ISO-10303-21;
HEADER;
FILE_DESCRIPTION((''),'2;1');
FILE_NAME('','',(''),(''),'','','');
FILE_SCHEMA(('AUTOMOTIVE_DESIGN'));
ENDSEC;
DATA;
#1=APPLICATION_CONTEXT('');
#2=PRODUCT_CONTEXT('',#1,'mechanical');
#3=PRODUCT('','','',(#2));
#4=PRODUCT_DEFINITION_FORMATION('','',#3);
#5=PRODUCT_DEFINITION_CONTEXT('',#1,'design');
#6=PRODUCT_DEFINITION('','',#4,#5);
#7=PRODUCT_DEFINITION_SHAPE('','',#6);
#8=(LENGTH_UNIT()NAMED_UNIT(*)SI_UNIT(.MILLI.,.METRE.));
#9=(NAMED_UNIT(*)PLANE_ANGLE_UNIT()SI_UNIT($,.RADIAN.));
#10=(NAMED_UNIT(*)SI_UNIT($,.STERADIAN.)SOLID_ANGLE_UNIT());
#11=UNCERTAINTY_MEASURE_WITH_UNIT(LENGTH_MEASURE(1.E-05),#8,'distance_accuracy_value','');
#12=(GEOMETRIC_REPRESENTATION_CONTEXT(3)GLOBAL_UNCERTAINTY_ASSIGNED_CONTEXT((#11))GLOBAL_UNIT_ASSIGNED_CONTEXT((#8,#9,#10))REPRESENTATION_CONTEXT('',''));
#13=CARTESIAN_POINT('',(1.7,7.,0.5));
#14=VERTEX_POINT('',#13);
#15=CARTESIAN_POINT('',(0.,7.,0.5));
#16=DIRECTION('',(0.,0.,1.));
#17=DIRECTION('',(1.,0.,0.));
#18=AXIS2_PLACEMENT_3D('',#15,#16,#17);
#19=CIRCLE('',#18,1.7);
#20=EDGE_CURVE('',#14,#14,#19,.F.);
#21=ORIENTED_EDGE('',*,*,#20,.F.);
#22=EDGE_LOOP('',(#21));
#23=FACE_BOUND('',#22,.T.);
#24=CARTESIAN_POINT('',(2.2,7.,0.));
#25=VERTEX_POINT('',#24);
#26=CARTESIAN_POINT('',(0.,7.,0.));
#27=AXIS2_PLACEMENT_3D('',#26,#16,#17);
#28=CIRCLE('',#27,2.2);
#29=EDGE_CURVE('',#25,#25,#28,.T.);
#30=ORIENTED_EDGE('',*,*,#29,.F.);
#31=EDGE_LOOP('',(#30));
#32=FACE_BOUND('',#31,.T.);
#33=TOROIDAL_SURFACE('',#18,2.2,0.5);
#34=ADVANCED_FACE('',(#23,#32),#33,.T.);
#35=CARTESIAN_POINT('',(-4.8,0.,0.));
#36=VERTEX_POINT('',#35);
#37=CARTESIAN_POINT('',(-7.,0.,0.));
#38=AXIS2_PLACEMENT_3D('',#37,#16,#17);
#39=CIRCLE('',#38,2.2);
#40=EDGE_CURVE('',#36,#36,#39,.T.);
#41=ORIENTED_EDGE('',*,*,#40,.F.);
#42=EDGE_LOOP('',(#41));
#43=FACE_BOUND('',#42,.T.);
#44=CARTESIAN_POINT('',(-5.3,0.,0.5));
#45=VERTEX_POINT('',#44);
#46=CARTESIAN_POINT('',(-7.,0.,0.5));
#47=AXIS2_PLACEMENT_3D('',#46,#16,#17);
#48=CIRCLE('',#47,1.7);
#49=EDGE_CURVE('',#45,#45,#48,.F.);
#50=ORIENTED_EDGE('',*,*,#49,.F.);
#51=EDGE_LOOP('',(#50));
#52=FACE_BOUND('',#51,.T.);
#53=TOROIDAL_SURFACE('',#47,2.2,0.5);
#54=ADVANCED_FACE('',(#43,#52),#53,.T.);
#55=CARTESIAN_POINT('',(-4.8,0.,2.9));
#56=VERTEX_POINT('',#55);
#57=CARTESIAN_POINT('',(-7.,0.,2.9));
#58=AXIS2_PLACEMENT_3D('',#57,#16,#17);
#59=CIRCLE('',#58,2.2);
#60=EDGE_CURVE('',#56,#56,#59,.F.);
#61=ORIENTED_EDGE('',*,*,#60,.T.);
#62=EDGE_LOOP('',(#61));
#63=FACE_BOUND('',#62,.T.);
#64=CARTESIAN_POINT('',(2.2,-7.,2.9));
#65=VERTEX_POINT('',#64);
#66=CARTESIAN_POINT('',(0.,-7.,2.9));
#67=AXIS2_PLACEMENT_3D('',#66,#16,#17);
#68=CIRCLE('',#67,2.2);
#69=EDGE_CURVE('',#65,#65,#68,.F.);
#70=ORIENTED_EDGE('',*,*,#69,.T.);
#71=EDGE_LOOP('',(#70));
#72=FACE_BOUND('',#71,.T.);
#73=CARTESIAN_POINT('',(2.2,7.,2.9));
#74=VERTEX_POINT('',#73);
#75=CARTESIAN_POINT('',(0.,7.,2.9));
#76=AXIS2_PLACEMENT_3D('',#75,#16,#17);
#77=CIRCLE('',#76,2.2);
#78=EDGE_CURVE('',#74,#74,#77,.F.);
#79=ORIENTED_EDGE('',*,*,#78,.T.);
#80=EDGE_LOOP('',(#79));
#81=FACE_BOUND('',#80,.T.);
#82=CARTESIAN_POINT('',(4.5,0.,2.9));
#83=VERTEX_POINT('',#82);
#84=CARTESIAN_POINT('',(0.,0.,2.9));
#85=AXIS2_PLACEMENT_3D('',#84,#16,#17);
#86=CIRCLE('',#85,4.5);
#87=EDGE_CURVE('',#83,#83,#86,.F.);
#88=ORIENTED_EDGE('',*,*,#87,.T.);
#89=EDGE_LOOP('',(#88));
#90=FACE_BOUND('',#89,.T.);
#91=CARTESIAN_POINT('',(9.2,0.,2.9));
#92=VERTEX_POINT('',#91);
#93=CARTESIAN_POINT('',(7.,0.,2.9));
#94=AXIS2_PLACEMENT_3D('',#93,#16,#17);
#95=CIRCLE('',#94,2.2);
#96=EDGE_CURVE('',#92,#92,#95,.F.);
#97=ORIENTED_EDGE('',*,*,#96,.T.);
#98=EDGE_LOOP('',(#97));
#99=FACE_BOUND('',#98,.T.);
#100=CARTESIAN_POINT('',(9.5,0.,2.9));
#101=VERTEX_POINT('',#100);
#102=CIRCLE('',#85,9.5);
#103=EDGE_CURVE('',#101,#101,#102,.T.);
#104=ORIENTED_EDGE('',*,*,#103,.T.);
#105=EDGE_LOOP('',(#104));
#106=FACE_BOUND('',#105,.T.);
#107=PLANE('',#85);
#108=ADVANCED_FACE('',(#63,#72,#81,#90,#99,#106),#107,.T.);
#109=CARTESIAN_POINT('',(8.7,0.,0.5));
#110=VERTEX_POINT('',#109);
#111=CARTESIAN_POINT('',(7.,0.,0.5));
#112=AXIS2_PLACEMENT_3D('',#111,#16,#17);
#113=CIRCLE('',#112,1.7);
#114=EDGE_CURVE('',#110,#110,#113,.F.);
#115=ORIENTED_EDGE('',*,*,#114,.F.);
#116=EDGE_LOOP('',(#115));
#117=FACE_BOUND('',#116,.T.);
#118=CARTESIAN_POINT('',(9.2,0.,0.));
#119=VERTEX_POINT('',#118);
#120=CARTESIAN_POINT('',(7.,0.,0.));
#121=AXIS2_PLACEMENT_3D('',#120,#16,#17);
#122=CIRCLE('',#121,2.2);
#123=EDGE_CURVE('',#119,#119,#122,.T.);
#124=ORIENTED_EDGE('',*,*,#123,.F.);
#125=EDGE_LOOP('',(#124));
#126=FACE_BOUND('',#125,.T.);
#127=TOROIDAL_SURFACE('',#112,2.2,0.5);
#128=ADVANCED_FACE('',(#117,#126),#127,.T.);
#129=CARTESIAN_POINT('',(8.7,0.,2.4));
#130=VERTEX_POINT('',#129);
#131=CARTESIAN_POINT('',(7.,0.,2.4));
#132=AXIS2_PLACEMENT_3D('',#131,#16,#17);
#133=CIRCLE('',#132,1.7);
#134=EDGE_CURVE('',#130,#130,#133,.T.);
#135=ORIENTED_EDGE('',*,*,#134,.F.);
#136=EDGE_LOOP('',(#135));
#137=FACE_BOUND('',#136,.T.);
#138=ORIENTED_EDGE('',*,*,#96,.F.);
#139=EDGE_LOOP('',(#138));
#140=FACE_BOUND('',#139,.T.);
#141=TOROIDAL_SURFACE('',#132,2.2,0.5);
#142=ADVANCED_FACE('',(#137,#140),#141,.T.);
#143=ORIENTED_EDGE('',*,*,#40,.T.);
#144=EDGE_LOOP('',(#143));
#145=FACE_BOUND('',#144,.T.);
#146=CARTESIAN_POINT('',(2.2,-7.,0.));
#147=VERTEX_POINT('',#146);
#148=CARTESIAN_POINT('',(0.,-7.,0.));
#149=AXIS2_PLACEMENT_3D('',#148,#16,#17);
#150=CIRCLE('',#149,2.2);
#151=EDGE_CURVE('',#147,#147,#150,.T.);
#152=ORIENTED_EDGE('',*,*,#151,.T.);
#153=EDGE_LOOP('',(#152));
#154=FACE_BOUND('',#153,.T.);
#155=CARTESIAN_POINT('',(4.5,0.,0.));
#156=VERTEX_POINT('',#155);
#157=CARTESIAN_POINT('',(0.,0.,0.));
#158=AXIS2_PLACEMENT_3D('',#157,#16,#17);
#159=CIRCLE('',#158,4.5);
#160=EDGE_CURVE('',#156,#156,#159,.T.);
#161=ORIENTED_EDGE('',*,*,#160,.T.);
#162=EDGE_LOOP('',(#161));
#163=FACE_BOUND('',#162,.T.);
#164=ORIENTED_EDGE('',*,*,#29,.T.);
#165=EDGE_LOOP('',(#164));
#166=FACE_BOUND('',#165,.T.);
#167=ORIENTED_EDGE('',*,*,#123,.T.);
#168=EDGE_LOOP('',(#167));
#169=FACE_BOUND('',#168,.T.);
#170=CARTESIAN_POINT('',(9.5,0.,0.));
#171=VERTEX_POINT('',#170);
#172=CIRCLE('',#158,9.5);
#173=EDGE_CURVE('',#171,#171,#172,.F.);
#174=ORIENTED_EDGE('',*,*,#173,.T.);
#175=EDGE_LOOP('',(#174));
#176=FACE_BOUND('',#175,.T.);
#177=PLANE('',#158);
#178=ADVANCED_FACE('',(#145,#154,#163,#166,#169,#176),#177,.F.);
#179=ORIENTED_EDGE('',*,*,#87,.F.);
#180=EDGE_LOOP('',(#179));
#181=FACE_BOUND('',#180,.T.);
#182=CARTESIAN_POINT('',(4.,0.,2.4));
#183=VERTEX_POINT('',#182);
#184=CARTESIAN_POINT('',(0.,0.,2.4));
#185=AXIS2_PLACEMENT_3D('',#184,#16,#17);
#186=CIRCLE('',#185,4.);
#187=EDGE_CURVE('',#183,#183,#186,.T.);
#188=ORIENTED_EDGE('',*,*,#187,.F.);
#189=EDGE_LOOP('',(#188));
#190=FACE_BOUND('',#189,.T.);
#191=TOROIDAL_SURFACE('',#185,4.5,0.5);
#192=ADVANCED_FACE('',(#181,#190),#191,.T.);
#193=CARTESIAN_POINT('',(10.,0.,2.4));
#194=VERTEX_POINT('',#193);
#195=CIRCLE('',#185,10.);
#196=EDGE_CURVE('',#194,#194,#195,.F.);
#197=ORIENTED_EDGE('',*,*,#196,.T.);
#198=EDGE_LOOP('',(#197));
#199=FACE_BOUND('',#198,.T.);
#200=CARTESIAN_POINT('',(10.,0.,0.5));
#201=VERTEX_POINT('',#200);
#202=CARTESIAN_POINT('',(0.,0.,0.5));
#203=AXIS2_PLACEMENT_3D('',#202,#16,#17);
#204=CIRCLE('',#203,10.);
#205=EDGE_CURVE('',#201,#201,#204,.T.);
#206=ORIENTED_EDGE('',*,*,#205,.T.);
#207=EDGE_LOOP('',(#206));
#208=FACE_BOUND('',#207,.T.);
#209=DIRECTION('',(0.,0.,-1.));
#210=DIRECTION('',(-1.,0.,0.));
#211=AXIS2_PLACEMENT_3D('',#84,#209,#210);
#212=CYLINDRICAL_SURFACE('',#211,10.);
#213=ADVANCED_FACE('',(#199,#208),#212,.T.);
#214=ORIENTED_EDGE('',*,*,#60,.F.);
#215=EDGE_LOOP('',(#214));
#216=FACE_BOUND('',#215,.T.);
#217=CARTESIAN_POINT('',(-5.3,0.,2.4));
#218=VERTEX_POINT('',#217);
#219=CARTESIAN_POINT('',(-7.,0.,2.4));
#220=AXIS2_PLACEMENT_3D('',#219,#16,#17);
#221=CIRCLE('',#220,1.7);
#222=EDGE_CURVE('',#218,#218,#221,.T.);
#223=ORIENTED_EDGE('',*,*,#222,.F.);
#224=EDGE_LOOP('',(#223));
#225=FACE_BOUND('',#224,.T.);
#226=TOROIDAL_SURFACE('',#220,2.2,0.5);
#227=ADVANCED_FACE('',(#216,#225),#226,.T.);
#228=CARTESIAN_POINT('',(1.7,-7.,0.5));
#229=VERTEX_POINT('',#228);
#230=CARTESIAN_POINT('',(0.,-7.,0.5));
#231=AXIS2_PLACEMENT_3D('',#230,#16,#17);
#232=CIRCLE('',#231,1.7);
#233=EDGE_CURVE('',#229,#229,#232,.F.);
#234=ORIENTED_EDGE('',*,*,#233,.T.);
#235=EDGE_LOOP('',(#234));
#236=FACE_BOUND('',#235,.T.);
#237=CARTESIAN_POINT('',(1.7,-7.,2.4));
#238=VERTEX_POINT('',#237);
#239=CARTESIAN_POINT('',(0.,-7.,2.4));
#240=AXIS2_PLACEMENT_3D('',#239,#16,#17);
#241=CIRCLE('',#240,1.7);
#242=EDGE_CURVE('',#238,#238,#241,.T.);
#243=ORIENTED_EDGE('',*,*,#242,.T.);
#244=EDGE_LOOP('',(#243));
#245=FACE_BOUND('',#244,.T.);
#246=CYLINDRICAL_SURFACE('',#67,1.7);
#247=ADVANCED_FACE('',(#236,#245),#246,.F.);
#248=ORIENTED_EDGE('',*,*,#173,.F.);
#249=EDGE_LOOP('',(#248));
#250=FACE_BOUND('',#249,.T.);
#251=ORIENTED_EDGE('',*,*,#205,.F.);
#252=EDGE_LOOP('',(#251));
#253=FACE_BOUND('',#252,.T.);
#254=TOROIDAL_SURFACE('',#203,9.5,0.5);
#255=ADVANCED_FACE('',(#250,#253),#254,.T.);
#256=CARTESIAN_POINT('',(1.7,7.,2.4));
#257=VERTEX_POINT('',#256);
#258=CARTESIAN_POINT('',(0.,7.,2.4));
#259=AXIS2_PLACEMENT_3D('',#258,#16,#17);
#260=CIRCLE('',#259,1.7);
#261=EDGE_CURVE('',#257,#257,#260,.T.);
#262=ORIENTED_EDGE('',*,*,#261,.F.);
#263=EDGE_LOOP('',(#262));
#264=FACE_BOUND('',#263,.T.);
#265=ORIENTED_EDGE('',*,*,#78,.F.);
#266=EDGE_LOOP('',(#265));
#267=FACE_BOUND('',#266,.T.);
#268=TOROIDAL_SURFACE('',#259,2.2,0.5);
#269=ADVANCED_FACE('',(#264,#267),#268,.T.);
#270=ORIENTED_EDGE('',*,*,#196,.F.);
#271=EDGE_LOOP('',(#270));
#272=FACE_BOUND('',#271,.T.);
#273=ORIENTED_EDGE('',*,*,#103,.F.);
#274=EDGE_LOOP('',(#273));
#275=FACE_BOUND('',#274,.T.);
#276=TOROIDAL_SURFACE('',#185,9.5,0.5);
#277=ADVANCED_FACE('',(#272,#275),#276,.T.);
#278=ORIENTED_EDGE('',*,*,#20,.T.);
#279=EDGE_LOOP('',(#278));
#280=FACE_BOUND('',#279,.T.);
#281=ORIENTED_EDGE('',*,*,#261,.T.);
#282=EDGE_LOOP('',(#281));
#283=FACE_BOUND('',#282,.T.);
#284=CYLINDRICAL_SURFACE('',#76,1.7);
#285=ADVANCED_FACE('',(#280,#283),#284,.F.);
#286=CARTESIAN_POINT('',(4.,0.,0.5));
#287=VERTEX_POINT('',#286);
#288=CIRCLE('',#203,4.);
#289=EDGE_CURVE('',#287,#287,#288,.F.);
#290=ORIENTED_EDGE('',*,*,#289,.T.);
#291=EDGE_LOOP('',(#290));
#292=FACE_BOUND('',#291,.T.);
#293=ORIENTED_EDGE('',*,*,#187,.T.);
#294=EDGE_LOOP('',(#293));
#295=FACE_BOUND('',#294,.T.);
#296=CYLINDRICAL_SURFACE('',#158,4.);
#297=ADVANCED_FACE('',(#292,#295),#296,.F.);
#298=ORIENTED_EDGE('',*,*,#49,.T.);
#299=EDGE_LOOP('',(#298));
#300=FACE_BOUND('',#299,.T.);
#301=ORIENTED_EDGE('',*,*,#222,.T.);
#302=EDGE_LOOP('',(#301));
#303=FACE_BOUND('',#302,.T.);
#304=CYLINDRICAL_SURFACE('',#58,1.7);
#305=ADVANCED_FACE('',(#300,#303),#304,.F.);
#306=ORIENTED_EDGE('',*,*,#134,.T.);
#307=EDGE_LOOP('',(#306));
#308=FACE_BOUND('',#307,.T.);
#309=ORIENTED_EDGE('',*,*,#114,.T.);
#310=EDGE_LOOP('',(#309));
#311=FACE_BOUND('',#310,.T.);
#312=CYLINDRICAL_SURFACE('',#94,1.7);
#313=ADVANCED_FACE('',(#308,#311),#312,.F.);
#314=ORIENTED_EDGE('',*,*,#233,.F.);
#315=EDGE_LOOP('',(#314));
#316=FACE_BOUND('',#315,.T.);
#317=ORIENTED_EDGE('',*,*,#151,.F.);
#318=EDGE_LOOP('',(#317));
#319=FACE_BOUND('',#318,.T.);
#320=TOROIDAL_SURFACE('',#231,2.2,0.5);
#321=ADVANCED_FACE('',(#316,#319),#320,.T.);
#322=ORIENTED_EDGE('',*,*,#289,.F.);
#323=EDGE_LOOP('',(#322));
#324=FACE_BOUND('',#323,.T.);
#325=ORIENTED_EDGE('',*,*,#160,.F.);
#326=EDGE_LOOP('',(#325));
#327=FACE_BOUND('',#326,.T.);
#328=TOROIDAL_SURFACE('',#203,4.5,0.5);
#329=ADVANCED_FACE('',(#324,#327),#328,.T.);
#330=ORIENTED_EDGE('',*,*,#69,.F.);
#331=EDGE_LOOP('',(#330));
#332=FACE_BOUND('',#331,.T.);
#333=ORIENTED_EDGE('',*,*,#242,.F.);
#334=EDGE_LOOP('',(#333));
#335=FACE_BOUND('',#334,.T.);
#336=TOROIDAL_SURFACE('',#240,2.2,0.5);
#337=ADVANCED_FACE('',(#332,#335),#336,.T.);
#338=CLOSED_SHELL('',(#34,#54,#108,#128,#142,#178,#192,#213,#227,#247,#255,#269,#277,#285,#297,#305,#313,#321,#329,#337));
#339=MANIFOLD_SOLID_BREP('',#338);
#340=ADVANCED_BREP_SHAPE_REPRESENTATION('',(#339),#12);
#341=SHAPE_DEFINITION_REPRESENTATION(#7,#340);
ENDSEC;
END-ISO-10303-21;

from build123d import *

# Parameters (mm, degrees)
SKETCH1_R            = 10
BOSS_EXTRUDE1_DEPTH  = 2.9
M3_CLEARANCE_HOLE1_D = 3.4
SKETCH4_R            = 4
CUT_EXTRUDE1_DEPTH   = 3.9
FILLET1_R            = 0.5


with BuildPart() as part:
    # Sketch1 → Boss-Extrude1 (new body)
    with BuildSketch(Plane.XY):
        Circle(SKETCH1_R)
    extrude(amount=BOSS_EXTRUDE1_DEPTH)

    # M3 Clearance Hole1 (through all)
    with Locations(Plane.XY.offset(2.9)):
        with Locations((7, 0), (0, 7), (-7, 0), (0, -7)):
            Hole(M3_CLEARANCE_HOLE1_D / 2)

    # Sketch4 → Cut-Extrude1 (cut, through all)
    with BuildSketch(Plane.XY.offset(2.9)):
        Circle(SKETCH4_R)
    extrude(amount=-CUT_EXTRUDE1_DEPTH, mode=Mode.SUBTRACT)

    # Fillet1
    fillet1_edges = [part.edges().sort_by_distance(p)[0] for p in [
        (1.7, -7, 2.9),
        (1.7, -7, 0),
        (-5.3, 0, 2.9),
        (-5.3, 0, 0),
        (-10, 0, 0),
        (1.7, 7, 2.9),
        (1.7, 7, 0),
        (-4, 0, 0),
        (-4, 0, 2.9),
        (-10, 0, 2.9),
        (8.7, 0, 2.9),
        (8.7, 0, 0),
    ]]
    fillet(fillet1_edges, radius=FILLET1_R)


solid = part.part
